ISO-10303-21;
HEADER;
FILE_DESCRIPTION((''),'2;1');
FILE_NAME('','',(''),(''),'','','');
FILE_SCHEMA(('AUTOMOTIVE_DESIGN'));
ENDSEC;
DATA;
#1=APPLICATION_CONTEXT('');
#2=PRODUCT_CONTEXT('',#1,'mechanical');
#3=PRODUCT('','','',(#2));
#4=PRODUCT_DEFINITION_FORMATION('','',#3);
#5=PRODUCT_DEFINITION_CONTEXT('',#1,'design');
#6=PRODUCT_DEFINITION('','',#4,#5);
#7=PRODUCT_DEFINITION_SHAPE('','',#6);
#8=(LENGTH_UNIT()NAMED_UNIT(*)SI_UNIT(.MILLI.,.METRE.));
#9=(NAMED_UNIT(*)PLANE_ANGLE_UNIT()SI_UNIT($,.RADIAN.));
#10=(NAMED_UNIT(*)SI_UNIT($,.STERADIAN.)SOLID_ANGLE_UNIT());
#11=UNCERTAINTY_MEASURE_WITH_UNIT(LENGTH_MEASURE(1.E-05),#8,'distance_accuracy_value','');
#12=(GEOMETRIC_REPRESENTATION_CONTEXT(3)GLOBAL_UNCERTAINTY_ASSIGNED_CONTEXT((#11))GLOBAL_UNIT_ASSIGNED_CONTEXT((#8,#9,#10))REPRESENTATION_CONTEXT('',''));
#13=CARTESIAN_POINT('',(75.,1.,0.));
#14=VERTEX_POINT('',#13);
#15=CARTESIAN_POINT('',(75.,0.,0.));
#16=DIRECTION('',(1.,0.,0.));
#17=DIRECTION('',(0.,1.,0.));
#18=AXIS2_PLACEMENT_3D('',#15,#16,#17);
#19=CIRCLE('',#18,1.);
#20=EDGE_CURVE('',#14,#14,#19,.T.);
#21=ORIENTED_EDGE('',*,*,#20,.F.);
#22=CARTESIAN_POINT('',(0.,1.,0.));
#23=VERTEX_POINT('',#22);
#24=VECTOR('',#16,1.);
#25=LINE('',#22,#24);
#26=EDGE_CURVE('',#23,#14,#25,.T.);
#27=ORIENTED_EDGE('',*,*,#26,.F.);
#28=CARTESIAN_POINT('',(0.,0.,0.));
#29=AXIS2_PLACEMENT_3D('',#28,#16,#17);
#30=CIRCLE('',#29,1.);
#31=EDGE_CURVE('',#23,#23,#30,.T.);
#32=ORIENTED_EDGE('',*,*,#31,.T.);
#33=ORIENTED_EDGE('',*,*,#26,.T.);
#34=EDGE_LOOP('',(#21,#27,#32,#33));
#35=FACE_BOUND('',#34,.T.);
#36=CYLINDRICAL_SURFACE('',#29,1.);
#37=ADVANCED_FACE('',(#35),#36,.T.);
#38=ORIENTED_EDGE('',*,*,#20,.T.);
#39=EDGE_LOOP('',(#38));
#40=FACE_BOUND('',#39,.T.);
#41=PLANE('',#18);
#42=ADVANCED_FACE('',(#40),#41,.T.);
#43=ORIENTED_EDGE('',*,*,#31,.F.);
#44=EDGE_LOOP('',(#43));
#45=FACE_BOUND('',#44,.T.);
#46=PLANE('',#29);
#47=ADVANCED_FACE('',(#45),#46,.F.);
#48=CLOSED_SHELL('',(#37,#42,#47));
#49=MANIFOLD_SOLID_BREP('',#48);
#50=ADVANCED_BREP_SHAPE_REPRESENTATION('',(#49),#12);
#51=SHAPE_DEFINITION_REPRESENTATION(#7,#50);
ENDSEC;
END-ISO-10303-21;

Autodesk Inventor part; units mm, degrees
ref_plane "Plan de départ" through (0, 0, 0) normal (1, 0, 0) x (0, 1, 0)
ref_plane "XZ Plane" through (0, 0, 0) normal (0, 1, 0) x (-1, 0, 0)
ref_plane "XY Plane" through (0, 0, 0) normal (0, 0, 1) x (1, 0, 0)
sketch "Esquisse principale" plane through (0, 0, 0) normal (0, 0, 1) x (1, 0, 0)
  line L0 (0, 0) -> (75, 0)
  line L1 (0, 0) -> (0, 1)
  line L2 (75, 1) -> (75, 0)
  line L3 (0, 1) -> (75, 1)
  dimension "d3" = 2
revolve "Révolution1" add sketch "Esquisse principale" angle 360 about axis through (0, 0, 0) along (1, 0, 0)
properties part number "Arbre" material "Acier inoxydable"
